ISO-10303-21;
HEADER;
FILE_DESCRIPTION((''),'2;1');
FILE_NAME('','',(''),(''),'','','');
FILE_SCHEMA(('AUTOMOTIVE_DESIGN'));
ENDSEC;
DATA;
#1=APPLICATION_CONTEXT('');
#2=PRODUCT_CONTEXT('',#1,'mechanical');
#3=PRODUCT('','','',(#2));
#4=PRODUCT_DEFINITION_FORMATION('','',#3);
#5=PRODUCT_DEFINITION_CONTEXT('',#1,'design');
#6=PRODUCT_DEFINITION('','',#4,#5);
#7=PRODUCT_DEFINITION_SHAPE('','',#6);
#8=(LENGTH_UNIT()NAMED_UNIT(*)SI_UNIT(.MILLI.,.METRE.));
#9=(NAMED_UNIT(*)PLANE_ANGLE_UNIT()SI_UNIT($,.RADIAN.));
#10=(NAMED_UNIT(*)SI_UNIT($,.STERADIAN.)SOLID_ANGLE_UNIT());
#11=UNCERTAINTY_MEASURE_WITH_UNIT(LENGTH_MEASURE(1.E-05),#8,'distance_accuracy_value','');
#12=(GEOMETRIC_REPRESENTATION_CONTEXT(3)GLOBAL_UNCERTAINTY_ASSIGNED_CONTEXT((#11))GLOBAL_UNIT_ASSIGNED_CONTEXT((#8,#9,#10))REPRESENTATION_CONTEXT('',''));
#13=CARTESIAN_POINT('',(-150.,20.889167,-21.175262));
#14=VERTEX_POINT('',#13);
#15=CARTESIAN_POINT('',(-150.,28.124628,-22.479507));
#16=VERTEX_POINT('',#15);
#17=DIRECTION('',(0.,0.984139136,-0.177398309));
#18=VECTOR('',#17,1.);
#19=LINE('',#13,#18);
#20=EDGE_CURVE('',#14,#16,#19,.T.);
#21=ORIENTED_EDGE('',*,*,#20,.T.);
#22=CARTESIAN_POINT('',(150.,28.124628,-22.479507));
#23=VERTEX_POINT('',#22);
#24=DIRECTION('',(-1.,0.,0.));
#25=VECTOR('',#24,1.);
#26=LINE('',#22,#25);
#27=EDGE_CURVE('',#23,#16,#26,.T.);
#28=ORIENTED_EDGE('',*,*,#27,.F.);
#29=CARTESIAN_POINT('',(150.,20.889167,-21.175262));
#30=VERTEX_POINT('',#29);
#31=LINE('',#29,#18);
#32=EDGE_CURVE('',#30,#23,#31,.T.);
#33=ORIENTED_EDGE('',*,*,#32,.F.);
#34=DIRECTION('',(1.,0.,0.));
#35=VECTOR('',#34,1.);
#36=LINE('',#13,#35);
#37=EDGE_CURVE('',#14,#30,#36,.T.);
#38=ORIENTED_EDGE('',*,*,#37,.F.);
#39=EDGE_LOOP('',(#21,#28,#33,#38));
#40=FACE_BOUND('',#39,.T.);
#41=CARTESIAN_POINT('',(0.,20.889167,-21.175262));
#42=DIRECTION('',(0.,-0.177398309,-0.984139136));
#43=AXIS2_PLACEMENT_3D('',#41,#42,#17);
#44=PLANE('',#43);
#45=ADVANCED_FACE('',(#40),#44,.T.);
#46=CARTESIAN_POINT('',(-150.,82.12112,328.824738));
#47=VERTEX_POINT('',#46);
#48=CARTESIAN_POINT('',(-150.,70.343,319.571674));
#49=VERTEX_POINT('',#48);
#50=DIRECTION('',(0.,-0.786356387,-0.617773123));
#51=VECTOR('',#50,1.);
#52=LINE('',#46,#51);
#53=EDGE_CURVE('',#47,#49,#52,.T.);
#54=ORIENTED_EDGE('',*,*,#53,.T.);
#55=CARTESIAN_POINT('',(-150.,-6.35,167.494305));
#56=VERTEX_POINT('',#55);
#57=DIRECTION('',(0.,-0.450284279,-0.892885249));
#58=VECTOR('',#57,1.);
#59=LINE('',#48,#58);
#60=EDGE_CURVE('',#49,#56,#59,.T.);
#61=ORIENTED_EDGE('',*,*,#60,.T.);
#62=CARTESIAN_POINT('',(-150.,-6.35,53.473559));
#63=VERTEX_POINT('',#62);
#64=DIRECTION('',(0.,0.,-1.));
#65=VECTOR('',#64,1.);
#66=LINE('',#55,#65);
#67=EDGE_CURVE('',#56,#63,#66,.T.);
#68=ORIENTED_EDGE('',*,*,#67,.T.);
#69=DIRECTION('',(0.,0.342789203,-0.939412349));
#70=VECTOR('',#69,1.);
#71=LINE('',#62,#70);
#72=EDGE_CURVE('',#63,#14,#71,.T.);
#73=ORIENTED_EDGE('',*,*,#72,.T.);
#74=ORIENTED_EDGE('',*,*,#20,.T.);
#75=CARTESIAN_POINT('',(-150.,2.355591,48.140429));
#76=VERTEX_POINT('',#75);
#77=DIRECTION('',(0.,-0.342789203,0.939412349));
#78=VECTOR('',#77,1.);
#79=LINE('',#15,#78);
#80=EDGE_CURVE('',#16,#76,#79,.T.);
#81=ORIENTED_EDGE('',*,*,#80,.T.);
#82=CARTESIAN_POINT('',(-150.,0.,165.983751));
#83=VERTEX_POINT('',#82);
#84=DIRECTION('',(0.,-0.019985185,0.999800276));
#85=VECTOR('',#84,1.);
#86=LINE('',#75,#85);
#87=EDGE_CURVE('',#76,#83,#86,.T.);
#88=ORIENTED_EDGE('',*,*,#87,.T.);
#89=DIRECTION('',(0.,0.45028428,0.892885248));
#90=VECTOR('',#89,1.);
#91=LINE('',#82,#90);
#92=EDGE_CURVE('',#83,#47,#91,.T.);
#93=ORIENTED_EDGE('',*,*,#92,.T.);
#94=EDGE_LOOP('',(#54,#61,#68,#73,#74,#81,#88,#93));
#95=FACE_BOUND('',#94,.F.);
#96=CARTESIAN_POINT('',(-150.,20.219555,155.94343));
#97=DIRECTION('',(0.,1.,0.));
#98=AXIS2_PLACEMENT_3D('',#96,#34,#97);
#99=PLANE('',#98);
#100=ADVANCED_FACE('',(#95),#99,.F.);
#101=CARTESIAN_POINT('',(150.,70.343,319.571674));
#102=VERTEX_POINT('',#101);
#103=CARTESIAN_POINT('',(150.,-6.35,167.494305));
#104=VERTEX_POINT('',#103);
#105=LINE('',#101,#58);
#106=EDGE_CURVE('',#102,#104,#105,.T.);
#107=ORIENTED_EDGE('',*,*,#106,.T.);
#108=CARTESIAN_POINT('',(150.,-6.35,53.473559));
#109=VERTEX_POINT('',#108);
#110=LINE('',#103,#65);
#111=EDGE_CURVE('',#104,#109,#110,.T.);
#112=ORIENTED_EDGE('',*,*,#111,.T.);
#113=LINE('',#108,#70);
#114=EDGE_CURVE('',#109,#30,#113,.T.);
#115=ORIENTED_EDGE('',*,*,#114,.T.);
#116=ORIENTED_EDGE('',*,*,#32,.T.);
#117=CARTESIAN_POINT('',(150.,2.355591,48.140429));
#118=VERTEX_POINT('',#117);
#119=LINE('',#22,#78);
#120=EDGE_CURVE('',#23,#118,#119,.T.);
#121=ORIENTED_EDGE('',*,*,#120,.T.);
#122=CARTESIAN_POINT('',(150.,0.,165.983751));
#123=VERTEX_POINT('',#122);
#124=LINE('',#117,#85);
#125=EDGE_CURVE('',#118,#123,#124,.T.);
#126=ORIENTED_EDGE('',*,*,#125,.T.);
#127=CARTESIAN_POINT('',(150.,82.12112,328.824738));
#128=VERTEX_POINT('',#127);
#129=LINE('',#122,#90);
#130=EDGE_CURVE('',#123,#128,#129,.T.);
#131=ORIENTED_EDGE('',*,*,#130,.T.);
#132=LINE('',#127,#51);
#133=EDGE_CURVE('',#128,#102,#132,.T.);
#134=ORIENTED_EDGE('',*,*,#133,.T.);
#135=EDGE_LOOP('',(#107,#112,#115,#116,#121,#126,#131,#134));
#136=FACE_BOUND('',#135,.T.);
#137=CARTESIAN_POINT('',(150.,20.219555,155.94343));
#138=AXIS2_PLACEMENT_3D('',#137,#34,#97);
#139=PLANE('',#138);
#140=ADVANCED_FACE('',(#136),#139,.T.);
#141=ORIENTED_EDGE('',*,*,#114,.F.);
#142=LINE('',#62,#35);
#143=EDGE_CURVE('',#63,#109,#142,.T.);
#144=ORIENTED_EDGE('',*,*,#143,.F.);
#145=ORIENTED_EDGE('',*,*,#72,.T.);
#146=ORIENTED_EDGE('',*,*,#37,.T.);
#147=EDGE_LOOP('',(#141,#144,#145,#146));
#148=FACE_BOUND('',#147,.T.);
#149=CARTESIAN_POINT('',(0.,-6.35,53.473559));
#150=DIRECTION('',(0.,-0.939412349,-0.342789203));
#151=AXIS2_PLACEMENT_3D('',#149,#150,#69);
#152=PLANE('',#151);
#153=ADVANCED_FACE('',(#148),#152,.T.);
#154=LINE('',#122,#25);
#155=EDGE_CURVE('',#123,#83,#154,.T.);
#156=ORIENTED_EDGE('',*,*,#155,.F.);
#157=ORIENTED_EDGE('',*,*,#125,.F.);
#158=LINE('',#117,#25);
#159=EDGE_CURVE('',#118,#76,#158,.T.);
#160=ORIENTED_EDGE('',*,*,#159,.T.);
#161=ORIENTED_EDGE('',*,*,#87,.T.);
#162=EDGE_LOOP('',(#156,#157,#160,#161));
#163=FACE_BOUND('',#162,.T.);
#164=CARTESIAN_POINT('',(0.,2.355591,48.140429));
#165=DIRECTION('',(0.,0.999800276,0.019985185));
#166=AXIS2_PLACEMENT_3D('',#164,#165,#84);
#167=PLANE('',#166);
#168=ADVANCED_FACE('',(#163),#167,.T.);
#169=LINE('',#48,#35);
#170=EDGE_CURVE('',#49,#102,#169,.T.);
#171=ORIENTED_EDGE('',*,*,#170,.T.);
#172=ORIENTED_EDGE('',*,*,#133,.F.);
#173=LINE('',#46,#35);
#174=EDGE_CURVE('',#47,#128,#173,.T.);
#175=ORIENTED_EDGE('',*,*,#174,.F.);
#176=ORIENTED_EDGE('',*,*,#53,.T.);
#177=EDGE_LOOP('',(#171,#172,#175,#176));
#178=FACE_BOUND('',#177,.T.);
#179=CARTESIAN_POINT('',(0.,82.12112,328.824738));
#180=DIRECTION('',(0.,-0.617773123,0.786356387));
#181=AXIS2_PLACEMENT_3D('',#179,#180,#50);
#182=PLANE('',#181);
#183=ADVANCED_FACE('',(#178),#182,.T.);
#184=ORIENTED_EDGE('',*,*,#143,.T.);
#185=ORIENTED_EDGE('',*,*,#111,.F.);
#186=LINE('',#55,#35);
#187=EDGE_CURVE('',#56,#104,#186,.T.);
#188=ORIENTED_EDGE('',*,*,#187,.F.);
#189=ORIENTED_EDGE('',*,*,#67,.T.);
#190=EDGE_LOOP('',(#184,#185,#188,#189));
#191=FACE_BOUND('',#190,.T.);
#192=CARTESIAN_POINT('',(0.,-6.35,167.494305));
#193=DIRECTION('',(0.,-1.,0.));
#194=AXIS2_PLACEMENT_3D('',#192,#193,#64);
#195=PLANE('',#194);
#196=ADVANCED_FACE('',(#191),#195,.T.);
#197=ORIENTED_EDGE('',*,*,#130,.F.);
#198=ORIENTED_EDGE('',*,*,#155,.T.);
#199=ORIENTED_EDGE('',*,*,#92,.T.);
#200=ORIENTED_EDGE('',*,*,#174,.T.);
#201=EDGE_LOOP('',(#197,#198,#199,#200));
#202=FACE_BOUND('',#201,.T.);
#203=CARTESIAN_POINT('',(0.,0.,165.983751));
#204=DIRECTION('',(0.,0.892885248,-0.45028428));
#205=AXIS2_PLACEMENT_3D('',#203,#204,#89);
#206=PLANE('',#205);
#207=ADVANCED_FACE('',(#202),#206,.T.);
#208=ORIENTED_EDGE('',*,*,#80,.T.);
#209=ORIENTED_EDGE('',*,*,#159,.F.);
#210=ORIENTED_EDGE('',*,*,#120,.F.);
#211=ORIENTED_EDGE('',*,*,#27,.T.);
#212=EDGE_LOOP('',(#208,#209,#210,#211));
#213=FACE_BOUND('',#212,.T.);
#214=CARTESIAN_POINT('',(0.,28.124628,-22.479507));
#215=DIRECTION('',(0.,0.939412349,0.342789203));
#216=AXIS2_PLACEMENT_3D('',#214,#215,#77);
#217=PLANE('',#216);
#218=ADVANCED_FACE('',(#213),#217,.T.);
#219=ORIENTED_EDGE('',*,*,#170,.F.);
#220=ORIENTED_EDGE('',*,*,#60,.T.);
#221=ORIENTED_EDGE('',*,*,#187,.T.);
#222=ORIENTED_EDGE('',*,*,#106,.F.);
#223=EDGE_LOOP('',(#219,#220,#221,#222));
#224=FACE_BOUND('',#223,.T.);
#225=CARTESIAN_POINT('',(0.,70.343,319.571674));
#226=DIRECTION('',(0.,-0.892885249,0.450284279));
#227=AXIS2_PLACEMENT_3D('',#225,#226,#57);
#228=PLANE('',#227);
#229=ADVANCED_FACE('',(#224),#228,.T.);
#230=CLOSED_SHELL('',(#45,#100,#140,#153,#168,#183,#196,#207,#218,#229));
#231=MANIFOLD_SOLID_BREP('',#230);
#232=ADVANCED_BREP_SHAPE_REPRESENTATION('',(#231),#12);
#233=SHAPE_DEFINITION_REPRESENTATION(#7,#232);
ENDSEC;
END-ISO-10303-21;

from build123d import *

# Parameters (mm, degrees)
F1_DEPTH      = 150
F1_DEPTH_BACK = 150


with BuildPart() as f1:
    # F0 (on Right) → F1 (new body, two sides)
    with BuildSketch(Plane.YZ) as f1_sk:
        Polygon((0, 165.983751), (82.12112, 328.824738), (70.343, 319.571674), (-6.35, 167.494305), (-6.35, 53.473559), (20.889167, -21.175262), (28.124628, -22.479507), (2.355591, 48.140429), align=None)
    extrude(amount=F1_DEPTH)
    extrude(f1_sk.sketch, amount=-F1_DEPTH_BACK)


solid = f1.part
